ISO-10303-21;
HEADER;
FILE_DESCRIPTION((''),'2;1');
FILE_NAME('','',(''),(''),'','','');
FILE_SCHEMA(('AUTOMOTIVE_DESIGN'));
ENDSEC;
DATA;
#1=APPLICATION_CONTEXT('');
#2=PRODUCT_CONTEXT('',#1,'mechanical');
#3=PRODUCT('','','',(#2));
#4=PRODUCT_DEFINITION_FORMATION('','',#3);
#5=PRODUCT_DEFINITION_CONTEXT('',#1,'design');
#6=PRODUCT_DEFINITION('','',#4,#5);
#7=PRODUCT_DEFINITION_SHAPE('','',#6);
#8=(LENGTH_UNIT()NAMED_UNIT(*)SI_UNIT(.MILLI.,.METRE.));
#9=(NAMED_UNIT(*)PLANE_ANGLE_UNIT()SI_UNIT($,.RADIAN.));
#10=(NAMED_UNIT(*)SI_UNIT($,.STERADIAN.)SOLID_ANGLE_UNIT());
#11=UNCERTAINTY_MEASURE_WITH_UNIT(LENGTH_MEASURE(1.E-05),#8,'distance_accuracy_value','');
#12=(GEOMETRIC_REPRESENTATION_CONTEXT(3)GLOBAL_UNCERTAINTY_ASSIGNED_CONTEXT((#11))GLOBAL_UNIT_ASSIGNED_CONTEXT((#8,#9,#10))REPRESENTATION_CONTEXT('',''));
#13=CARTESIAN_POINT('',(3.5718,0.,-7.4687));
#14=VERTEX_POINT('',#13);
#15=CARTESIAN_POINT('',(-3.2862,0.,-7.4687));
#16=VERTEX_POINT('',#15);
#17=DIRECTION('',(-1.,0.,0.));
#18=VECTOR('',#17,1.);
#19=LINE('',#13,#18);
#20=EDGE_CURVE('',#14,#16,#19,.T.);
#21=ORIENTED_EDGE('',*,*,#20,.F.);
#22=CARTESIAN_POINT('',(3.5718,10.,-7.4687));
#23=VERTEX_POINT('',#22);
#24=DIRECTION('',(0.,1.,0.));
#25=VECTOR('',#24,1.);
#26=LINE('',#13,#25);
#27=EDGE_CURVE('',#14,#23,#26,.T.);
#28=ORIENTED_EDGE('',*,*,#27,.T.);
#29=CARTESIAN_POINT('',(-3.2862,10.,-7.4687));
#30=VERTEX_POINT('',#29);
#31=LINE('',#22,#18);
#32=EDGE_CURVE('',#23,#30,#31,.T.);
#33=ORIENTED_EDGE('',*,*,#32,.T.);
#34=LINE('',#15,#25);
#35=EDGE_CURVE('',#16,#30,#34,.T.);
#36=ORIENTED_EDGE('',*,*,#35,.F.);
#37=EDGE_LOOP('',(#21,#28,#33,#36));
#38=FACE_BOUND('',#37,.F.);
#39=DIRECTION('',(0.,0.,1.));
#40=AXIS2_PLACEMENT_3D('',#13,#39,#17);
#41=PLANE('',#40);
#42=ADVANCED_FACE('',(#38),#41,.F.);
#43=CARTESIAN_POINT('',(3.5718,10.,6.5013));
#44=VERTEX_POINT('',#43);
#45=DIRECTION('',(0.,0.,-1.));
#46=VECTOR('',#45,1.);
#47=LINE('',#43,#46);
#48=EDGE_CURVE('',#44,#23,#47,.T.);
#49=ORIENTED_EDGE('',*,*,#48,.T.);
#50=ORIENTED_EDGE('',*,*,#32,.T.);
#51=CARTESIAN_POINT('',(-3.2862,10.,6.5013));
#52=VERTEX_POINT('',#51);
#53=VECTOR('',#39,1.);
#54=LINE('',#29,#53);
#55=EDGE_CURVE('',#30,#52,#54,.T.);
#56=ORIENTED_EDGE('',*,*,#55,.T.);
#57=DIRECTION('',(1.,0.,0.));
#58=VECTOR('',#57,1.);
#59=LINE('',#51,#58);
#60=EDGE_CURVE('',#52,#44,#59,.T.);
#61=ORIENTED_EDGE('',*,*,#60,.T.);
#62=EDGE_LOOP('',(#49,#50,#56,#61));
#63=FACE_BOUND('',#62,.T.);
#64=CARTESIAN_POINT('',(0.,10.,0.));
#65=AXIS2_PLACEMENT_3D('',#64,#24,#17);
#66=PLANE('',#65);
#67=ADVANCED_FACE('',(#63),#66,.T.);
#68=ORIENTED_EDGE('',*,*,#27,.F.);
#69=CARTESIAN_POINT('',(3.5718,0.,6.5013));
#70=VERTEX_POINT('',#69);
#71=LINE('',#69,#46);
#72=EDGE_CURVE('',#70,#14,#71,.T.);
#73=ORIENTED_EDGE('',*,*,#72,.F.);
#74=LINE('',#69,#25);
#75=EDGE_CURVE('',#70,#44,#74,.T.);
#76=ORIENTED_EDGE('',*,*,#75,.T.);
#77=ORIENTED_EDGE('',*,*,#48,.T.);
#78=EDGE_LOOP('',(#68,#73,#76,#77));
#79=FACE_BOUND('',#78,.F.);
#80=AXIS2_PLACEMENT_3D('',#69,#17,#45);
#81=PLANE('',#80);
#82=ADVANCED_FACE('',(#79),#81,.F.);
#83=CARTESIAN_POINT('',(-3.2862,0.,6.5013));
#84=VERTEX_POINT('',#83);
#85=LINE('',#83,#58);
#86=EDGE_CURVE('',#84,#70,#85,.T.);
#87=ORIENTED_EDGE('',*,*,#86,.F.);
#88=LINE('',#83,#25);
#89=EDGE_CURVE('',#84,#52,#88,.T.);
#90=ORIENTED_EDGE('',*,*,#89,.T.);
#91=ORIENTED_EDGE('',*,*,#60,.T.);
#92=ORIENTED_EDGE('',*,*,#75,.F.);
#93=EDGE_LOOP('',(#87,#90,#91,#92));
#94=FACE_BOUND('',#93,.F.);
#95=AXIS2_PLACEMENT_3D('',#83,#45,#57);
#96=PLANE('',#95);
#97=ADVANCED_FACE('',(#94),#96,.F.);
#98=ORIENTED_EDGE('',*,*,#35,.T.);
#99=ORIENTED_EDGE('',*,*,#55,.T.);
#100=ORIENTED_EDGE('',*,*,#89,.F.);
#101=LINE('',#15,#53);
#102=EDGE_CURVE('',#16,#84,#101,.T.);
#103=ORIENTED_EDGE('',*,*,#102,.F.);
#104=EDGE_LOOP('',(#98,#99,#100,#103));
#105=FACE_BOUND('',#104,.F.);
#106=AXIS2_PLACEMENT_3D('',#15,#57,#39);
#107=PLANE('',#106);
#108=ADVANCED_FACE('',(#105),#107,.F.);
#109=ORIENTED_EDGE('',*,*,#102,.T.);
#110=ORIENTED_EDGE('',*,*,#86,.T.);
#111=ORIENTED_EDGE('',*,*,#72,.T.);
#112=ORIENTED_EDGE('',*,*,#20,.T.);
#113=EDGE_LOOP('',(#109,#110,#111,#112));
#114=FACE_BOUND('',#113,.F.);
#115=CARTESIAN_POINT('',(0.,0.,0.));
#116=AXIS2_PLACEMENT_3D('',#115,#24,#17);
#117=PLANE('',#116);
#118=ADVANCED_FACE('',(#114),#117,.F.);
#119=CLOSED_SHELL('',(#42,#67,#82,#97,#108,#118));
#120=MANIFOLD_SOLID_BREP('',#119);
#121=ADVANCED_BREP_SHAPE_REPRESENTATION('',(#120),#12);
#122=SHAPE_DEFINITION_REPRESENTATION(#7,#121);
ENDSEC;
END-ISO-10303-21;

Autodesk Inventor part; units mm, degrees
ref_plane "YZ Plane" through (0, 0, 0) normal (1, 0, 0) x (0, 1, 0)
ref_plane "XZ Plane" through (0, 0, 0) normal (0, 1, 0) x (-1, 0, 0)
ref_plane "XY Plane" through (0, 0, 0) normal (0, 0, 1) x (1, 0, 0)
sketch "Sketch1" plane through (0, 0, 0) normal (0, 1, 0) x (-1, 0, 0)
  line L0 (3.2862, 6.5013) -> (-3.5718, 6.5013)
  line L1 (-3.5718, 6.5013) -> (-3.5718, -7.4687)
  line L2 (-3.5718, -7.4687) -> (3.2862, -7.4687)
  line L3 (3.2862, -7.4687) -> (3.2862, 6.5013)
  point P0 (0, 0)
  dimension "d0" = 13.97
  dimension "d1" = 6.858
extrude "Extrusion1" add sketch "Sketch1" along normal blind 10
properties part number "AmplifierBlock2"
